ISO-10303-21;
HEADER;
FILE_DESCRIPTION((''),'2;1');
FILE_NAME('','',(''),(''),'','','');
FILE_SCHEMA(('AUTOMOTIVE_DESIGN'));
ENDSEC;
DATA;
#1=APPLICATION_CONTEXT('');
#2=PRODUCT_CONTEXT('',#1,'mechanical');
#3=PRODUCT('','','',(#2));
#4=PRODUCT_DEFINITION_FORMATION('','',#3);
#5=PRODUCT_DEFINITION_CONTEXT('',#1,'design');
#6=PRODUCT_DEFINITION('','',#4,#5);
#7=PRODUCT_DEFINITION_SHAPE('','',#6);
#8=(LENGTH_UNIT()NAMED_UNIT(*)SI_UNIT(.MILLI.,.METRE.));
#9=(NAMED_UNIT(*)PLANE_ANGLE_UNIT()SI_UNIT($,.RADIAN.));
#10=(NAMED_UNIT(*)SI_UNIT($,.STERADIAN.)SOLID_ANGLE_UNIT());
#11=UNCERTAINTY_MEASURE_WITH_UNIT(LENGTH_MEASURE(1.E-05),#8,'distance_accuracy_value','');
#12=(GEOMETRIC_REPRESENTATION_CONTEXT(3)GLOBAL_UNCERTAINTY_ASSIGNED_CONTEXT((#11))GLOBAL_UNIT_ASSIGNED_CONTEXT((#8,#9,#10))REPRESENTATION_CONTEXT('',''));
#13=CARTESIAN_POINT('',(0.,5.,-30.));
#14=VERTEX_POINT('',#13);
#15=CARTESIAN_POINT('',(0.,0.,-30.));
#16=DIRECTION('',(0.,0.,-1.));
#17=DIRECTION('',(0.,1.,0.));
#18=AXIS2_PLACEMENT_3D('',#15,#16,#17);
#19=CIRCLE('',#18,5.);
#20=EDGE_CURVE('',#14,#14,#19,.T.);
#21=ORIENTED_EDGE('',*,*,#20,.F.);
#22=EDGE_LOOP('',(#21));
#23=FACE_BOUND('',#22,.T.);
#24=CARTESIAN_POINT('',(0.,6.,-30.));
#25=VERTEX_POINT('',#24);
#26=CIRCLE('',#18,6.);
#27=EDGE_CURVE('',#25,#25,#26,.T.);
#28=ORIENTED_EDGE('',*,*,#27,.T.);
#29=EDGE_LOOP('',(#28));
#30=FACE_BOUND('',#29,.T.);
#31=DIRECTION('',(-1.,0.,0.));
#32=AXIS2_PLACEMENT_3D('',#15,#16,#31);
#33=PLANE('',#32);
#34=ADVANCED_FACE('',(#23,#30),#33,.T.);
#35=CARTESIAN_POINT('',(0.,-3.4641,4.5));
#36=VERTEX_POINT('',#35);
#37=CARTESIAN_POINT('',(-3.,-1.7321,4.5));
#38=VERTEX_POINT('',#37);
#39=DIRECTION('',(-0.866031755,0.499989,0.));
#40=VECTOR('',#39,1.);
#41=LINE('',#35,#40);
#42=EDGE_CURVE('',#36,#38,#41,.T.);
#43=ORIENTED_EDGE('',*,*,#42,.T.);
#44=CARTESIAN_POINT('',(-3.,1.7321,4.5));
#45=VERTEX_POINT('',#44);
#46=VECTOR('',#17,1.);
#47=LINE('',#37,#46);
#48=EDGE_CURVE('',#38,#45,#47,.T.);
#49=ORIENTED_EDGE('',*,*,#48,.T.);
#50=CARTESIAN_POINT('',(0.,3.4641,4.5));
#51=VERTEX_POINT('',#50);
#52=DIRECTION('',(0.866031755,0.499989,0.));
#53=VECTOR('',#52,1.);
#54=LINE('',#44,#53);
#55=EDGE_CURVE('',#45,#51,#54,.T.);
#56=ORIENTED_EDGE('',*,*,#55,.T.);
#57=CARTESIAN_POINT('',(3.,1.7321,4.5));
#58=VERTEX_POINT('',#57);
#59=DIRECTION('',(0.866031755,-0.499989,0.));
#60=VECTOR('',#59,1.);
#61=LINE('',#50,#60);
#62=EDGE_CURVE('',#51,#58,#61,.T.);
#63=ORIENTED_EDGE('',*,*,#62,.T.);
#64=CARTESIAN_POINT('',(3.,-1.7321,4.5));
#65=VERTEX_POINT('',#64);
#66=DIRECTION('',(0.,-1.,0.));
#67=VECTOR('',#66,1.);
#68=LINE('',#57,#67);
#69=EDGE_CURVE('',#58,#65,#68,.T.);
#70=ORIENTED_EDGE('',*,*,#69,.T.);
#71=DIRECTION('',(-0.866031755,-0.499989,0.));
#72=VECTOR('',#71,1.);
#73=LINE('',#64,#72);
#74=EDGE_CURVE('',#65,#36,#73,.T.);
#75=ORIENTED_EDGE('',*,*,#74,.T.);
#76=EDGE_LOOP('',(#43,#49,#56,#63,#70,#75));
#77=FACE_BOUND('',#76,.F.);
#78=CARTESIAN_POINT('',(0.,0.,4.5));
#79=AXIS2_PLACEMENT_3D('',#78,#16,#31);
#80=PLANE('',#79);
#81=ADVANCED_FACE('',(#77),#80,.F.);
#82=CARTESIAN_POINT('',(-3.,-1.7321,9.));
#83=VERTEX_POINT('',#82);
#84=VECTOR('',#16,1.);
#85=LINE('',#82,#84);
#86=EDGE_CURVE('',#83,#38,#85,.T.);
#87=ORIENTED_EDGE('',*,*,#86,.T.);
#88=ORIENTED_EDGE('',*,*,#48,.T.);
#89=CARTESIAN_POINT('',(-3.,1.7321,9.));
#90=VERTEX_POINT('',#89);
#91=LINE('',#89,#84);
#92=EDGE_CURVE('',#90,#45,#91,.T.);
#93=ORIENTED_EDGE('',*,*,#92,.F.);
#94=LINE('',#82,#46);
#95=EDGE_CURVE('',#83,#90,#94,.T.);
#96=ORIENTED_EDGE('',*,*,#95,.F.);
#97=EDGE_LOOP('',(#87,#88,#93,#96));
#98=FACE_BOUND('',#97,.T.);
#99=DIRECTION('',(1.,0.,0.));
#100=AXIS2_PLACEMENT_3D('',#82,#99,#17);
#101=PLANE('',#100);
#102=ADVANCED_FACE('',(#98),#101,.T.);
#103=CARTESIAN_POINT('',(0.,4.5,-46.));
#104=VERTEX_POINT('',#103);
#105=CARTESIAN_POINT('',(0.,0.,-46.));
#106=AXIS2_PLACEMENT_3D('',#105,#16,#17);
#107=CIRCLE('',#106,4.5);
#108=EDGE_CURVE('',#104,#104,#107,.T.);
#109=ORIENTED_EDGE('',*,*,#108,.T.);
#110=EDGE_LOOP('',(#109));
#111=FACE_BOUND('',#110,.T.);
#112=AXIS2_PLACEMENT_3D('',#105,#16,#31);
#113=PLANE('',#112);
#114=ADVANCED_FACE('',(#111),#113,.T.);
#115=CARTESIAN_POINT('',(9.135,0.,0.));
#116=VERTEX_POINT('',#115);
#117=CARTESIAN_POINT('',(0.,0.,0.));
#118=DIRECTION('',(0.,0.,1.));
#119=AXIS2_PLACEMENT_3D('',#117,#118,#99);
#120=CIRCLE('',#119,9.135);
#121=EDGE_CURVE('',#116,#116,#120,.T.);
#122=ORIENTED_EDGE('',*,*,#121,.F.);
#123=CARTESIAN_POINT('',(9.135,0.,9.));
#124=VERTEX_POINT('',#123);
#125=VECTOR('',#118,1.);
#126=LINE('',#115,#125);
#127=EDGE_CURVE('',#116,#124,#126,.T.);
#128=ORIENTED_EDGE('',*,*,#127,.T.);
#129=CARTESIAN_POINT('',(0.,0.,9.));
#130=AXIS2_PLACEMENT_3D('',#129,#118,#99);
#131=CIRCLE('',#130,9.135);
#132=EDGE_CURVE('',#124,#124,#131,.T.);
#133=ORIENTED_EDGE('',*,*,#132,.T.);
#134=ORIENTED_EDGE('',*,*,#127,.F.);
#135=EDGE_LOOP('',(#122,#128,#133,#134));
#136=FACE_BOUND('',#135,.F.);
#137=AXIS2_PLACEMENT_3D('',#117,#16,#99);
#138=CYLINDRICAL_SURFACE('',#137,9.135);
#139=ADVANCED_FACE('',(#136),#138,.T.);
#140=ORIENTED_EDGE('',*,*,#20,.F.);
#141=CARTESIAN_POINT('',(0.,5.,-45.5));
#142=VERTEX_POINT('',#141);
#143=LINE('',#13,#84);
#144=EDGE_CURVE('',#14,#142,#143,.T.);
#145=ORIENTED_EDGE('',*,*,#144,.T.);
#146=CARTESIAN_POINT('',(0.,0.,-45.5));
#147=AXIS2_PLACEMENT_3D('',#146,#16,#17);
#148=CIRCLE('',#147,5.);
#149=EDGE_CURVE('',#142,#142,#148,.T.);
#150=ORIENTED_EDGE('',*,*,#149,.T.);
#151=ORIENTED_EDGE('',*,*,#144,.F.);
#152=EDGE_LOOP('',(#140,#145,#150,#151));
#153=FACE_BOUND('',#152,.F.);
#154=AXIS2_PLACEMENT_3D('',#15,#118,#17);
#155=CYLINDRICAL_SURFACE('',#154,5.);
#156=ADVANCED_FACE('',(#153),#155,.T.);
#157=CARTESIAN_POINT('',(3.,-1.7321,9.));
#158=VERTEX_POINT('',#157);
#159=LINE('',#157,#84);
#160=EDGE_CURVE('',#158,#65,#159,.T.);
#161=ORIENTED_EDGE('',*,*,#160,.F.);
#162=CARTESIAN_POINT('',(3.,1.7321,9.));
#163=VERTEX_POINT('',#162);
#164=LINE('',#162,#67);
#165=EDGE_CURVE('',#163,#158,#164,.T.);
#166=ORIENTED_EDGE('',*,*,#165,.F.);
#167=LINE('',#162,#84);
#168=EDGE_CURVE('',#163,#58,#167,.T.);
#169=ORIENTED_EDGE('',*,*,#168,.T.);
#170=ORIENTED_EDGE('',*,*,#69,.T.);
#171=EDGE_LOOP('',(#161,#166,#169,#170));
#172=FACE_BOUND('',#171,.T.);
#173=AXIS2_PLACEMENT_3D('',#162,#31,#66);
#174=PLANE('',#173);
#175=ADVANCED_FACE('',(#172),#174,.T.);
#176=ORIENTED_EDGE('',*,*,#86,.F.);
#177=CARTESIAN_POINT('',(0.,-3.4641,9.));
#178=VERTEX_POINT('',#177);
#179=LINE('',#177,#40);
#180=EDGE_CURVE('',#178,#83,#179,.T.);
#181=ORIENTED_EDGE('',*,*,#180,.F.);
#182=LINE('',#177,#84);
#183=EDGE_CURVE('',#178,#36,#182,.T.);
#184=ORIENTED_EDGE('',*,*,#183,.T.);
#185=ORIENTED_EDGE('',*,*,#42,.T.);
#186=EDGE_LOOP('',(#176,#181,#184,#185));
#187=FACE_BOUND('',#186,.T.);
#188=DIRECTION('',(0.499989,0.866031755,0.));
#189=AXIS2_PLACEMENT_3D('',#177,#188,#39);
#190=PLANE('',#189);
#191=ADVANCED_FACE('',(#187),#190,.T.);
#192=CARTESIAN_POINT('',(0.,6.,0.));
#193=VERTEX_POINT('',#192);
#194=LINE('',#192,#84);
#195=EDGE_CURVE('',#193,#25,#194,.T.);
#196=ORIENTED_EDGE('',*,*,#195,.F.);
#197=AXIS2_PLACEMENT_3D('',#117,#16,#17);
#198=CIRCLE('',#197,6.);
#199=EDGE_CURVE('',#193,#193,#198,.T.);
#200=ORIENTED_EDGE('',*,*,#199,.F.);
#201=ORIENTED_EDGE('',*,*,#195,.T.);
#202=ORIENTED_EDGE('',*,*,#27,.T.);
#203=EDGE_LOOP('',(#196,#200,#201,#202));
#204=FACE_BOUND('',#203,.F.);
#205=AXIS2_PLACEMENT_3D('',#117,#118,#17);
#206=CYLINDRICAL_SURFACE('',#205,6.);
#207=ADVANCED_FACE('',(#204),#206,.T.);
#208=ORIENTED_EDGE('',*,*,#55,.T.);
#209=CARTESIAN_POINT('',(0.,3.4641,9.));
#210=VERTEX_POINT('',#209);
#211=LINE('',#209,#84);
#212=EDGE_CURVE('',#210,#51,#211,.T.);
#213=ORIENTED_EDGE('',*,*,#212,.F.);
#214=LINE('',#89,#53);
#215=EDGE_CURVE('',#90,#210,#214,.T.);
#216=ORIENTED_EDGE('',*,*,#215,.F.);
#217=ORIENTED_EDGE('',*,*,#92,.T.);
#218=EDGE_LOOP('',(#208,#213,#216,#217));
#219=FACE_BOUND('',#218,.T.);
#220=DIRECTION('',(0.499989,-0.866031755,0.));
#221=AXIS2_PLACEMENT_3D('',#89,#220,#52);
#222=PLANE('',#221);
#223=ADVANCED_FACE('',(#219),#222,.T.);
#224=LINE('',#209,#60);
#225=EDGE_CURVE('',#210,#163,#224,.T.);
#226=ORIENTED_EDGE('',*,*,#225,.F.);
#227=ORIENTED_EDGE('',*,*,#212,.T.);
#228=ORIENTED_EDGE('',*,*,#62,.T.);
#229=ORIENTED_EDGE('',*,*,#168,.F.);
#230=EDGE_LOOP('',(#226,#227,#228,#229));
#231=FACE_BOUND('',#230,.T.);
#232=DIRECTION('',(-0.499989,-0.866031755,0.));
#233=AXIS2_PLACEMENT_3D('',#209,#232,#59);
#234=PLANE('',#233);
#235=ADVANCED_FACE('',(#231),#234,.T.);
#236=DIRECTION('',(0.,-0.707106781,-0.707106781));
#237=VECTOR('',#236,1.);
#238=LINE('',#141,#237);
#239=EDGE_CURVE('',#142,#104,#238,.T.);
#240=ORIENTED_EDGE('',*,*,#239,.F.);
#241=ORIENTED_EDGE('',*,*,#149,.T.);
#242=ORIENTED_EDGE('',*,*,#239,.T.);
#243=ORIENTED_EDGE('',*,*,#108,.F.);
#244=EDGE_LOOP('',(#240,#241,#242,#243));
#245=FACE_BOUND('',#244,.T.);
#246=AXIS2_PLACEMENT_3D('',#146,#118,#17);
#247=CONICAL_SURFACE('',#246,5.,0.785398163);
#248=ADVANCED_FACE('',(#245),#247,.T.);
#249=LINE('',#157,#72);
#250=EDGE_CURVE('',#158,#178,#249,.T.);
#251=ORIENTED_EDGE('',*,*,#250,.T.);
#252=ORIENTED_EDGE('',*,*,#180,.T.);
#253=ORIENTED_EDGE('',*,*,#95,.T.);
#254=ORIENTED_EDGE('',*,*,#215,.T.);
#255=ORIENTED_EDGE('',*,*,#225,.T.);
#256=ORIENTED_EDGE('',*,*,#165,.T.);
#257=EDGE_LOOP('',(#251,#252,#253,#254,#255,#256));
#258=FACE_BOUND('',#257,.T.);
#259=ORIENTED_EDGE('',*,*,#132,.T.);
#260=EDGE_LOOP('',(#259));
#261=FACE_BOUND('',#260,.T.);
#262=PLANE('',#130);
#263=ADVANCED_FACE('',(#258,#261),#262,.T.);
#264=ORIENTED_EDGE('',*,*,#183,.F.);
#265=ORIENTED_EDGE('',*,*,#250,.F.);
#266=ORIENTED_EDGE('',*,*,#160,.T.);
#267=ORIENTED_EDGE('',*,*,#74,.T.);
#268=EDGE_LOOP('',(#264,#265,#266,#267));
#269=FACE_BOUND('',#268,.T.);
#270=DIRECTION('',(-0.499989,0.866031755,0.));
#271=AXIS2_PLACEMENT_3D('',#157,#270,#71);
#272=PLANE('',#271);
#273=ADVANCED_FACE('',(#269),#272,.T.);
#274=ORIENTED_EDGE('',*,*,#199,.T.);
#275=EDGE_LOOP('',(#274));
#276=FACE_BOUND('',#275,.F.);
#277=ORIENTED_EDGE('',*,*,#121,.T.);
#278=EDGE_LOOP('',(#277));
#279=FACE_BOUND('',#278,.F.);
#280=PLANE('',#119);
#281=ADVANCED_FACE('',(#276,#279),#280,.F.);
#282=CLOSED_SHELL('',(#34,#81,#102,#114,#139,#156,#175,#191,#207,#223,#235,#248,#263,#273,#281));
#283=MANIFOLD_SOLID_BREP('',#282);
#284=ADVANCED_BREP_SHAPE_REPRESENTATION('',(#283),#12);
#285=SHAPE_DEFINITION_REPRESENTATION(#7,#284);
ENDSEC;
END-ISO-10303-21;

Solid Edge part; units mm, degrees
sketch "Sketch1" plane through (0, 0, 0) normal (0, 0, 1) x (1, 0, 0)
  circle A0 centre (0, 0) radius 9.135
  dimension "D1" = 18.27
extrude "Protrusion1" add sketch "Sketch1" along normal blind 9
sketch "Sketch2" plane through (0, 0, 9) normal (0, 0, 1) x (1, 0, 0)
  line L0 (0, -3.4641) -> (-3, -1.7321)
  line L1 (-3, -1.7321) -> (-3, 1.7321)
  line L2 (-3, 1.7321) -> (0, 3.4641)
  line L3 (0, 3.4641) -> (3, 1.7321)
  line L4 (3, 1.7321) -> (3, -1.7321)
  line L5 (3, -1.7321) -> (0, -3.4641)
  dimension "D1" = 6
extrude "Cutout1" cut sketch "Sketch2" against normal blind 4.5
sketch "Sketch3" plane through (0, 0, 0) normal (0, 0, -1) x (0, 1, 0)
  circle A0 centre (0, 0) radius 6
  dimension "D1" = 12
extrude "Protrusion2" add sketch "Sketch3" along normal blind 30
sketch "Sketch4" plane through (0, 0, -30) normal (0, 0, -1) x (0, 1, 0)
  circle A0 centre (0, 0) radius 5
  dimension "D1" = 10
extrude "Protrusion3" add sketch "Sketch4" along normal blind 16
chamfer "Chamfer1" distance 0.5 angle 45 1 edges at (0, -5, -46)
properties part number "108080"
